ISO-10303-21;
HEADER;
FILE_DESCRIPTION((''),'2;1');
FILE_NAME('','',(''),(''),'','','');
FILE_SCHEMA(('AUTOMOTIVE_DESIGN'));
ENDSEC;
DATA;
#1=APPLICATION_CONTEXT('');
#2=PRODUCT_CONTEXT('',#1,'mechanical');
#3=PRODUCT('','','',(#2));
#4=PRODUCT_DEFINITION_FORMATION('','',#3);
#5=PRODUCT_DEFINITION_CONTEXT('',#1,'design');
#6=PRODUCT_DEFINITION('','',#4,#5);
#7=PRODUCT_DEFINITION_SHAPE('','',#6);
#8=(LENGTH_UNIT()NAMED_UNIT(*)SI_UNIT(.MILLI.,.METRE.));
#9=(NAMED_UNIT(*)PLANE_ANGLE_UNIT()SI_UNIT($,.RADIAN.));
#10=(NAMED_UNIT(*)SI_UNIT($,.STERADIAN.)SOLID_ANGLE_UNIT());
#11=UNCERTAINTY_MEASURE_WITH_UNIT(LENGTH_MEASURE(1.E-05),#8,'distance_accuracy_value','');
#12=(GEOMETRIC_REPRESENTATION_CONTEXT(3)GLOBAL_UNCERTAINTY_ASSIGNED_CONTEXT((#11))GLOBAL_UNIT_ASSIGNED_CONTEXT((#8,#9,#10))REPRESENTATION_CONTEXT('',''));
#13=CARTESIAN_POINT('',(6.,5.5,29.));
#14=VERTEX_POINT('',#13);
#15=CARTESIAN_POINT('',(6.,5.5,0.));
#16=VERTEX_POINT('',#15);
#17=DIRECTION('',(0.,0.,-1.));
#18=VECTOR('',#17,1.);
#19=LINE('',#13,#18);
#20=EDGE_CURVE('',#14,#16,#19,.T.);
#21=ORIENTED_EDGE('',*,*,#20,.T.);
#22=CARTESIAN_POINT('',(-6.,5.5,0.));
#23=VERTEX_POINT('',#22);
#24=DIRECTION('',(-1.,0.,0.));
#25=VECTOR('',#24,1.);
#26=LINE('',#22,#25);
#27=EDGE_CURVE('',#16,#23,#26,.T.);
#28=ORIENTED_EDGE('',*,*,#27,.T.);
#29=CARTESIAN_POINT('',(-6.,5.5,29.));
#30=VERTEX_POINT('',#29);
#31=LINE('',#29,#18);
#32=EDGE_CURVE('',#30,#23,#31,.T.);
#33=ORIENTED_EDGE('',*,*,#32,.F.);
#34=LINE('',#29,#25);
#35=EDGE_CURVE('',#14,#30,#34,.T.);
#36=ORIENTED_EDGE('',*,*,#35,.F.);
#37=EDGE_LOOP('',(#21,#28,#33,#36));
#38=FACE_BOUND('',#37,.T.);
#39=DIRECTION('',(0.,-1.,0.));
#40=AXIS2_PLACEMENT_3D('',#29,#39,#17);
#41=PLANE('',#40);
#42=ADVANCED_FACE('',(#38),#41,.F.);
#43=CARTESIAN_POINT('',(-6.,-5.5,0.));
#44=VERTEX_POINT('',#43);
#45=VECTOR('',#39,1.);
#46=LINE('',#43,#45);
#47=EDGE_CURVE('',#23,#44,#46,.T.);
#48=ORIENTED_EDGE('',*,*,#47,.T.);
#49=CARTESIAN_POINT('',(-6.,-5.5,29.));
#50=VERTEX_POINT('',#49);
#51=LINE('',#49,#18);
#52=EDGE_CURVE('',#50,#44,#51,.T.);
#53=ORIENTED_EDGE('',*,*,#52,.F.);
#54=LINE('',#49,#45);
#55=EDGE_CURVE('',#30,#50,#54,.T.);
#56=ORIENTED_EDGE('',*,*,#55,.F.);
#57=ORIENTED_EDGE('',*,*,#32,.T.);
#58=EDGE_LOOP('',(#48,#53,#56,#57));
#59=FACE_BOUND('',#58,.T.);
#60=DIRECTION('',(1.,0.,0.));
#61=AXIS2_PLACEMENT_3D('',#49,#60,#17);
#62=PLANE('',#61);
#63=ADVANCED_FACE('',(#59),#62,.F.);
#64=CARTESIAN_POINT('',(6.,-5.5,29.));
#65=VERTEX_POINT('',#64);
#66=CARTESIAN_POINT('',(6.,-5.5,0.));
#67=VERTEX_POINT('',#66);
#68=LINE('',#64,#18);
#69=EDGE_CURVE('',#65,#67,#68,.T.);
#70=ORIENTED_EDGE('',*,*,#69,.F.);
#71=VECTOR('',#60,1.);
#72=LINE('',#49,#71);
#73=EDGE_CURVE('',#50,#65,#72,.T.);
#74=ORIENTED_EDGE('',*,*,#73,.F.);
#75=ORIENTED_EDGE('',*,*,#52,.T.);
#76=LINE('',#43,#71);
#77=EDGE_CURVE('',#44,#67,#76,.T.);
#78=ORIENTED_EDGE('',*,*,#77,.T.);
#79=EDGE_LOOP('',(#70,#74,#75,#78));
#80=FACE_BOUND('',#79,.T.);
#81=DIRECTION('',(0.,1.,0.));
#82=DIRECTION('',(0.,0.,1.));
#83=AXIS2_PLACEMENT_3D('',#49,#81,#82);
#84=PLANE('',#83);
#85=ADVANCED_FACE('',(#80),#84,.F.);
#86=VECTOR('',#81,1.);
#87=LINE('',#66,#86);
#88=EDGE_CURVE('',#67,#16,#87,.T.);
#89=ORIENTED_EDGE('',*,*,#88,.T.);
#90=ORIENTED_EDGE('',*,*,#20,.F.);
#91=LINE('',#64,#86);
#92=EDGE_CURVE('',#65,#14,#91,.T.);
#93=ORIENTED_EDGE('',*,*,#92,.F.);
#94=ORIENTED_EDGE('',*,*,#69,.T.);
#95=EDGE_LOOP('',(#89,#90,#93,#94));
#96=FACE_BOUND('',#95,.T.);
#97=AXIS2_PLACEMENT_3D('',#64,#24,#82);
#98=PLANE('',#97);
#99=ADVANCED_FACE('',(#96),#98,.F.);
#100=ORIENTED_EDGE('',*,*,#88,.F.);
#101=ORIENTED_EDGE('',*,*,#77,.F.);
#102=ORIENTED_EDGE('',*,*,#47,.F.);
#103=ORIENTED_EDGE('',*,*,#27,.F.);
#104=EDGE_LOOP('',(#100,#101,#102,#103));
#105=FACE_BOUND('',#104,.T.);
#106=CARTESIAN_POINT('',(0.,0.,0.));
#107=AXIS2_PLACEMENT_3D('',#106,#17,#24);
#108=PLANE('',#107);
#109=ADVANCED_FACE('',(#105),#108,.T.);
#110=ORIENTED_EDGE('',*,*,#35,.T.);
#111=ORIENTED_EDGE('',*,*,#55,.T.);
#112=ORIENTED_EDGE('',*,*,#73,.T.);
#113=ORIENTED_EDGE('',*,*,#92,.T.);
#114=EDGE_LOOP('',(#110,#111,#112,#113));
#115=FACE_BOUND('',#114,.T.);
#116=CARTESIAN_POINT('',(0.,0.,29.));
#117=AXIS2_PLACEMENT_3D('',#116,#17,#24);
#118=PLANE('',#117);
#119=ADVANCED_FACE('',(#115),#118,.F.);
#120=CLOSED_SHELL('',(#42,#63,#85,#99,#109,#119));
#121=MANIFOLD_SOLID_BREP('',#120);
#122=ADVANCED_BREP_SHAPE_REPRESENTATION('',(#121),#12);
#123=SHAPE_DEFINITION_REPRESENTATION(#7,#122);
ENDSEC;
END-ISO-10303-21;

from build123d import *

# Parameters (mm, degrees)
ESQUISSE1_W        = 12
ESQUISSE1_H        = 11
BOSS_EXTRU_1_DEPTH = 29


with BuildPart() as part:
    # Esquisse1 → Boss.-Extru.1 (new body)
    with BuildSketch(Plane.XY):
        Rectangle(ESQUISSE1_W, ESQUISSE1_H)
    extrude(amount=BOSS_EXTRU_1_DEPTH)


solid = part.part
